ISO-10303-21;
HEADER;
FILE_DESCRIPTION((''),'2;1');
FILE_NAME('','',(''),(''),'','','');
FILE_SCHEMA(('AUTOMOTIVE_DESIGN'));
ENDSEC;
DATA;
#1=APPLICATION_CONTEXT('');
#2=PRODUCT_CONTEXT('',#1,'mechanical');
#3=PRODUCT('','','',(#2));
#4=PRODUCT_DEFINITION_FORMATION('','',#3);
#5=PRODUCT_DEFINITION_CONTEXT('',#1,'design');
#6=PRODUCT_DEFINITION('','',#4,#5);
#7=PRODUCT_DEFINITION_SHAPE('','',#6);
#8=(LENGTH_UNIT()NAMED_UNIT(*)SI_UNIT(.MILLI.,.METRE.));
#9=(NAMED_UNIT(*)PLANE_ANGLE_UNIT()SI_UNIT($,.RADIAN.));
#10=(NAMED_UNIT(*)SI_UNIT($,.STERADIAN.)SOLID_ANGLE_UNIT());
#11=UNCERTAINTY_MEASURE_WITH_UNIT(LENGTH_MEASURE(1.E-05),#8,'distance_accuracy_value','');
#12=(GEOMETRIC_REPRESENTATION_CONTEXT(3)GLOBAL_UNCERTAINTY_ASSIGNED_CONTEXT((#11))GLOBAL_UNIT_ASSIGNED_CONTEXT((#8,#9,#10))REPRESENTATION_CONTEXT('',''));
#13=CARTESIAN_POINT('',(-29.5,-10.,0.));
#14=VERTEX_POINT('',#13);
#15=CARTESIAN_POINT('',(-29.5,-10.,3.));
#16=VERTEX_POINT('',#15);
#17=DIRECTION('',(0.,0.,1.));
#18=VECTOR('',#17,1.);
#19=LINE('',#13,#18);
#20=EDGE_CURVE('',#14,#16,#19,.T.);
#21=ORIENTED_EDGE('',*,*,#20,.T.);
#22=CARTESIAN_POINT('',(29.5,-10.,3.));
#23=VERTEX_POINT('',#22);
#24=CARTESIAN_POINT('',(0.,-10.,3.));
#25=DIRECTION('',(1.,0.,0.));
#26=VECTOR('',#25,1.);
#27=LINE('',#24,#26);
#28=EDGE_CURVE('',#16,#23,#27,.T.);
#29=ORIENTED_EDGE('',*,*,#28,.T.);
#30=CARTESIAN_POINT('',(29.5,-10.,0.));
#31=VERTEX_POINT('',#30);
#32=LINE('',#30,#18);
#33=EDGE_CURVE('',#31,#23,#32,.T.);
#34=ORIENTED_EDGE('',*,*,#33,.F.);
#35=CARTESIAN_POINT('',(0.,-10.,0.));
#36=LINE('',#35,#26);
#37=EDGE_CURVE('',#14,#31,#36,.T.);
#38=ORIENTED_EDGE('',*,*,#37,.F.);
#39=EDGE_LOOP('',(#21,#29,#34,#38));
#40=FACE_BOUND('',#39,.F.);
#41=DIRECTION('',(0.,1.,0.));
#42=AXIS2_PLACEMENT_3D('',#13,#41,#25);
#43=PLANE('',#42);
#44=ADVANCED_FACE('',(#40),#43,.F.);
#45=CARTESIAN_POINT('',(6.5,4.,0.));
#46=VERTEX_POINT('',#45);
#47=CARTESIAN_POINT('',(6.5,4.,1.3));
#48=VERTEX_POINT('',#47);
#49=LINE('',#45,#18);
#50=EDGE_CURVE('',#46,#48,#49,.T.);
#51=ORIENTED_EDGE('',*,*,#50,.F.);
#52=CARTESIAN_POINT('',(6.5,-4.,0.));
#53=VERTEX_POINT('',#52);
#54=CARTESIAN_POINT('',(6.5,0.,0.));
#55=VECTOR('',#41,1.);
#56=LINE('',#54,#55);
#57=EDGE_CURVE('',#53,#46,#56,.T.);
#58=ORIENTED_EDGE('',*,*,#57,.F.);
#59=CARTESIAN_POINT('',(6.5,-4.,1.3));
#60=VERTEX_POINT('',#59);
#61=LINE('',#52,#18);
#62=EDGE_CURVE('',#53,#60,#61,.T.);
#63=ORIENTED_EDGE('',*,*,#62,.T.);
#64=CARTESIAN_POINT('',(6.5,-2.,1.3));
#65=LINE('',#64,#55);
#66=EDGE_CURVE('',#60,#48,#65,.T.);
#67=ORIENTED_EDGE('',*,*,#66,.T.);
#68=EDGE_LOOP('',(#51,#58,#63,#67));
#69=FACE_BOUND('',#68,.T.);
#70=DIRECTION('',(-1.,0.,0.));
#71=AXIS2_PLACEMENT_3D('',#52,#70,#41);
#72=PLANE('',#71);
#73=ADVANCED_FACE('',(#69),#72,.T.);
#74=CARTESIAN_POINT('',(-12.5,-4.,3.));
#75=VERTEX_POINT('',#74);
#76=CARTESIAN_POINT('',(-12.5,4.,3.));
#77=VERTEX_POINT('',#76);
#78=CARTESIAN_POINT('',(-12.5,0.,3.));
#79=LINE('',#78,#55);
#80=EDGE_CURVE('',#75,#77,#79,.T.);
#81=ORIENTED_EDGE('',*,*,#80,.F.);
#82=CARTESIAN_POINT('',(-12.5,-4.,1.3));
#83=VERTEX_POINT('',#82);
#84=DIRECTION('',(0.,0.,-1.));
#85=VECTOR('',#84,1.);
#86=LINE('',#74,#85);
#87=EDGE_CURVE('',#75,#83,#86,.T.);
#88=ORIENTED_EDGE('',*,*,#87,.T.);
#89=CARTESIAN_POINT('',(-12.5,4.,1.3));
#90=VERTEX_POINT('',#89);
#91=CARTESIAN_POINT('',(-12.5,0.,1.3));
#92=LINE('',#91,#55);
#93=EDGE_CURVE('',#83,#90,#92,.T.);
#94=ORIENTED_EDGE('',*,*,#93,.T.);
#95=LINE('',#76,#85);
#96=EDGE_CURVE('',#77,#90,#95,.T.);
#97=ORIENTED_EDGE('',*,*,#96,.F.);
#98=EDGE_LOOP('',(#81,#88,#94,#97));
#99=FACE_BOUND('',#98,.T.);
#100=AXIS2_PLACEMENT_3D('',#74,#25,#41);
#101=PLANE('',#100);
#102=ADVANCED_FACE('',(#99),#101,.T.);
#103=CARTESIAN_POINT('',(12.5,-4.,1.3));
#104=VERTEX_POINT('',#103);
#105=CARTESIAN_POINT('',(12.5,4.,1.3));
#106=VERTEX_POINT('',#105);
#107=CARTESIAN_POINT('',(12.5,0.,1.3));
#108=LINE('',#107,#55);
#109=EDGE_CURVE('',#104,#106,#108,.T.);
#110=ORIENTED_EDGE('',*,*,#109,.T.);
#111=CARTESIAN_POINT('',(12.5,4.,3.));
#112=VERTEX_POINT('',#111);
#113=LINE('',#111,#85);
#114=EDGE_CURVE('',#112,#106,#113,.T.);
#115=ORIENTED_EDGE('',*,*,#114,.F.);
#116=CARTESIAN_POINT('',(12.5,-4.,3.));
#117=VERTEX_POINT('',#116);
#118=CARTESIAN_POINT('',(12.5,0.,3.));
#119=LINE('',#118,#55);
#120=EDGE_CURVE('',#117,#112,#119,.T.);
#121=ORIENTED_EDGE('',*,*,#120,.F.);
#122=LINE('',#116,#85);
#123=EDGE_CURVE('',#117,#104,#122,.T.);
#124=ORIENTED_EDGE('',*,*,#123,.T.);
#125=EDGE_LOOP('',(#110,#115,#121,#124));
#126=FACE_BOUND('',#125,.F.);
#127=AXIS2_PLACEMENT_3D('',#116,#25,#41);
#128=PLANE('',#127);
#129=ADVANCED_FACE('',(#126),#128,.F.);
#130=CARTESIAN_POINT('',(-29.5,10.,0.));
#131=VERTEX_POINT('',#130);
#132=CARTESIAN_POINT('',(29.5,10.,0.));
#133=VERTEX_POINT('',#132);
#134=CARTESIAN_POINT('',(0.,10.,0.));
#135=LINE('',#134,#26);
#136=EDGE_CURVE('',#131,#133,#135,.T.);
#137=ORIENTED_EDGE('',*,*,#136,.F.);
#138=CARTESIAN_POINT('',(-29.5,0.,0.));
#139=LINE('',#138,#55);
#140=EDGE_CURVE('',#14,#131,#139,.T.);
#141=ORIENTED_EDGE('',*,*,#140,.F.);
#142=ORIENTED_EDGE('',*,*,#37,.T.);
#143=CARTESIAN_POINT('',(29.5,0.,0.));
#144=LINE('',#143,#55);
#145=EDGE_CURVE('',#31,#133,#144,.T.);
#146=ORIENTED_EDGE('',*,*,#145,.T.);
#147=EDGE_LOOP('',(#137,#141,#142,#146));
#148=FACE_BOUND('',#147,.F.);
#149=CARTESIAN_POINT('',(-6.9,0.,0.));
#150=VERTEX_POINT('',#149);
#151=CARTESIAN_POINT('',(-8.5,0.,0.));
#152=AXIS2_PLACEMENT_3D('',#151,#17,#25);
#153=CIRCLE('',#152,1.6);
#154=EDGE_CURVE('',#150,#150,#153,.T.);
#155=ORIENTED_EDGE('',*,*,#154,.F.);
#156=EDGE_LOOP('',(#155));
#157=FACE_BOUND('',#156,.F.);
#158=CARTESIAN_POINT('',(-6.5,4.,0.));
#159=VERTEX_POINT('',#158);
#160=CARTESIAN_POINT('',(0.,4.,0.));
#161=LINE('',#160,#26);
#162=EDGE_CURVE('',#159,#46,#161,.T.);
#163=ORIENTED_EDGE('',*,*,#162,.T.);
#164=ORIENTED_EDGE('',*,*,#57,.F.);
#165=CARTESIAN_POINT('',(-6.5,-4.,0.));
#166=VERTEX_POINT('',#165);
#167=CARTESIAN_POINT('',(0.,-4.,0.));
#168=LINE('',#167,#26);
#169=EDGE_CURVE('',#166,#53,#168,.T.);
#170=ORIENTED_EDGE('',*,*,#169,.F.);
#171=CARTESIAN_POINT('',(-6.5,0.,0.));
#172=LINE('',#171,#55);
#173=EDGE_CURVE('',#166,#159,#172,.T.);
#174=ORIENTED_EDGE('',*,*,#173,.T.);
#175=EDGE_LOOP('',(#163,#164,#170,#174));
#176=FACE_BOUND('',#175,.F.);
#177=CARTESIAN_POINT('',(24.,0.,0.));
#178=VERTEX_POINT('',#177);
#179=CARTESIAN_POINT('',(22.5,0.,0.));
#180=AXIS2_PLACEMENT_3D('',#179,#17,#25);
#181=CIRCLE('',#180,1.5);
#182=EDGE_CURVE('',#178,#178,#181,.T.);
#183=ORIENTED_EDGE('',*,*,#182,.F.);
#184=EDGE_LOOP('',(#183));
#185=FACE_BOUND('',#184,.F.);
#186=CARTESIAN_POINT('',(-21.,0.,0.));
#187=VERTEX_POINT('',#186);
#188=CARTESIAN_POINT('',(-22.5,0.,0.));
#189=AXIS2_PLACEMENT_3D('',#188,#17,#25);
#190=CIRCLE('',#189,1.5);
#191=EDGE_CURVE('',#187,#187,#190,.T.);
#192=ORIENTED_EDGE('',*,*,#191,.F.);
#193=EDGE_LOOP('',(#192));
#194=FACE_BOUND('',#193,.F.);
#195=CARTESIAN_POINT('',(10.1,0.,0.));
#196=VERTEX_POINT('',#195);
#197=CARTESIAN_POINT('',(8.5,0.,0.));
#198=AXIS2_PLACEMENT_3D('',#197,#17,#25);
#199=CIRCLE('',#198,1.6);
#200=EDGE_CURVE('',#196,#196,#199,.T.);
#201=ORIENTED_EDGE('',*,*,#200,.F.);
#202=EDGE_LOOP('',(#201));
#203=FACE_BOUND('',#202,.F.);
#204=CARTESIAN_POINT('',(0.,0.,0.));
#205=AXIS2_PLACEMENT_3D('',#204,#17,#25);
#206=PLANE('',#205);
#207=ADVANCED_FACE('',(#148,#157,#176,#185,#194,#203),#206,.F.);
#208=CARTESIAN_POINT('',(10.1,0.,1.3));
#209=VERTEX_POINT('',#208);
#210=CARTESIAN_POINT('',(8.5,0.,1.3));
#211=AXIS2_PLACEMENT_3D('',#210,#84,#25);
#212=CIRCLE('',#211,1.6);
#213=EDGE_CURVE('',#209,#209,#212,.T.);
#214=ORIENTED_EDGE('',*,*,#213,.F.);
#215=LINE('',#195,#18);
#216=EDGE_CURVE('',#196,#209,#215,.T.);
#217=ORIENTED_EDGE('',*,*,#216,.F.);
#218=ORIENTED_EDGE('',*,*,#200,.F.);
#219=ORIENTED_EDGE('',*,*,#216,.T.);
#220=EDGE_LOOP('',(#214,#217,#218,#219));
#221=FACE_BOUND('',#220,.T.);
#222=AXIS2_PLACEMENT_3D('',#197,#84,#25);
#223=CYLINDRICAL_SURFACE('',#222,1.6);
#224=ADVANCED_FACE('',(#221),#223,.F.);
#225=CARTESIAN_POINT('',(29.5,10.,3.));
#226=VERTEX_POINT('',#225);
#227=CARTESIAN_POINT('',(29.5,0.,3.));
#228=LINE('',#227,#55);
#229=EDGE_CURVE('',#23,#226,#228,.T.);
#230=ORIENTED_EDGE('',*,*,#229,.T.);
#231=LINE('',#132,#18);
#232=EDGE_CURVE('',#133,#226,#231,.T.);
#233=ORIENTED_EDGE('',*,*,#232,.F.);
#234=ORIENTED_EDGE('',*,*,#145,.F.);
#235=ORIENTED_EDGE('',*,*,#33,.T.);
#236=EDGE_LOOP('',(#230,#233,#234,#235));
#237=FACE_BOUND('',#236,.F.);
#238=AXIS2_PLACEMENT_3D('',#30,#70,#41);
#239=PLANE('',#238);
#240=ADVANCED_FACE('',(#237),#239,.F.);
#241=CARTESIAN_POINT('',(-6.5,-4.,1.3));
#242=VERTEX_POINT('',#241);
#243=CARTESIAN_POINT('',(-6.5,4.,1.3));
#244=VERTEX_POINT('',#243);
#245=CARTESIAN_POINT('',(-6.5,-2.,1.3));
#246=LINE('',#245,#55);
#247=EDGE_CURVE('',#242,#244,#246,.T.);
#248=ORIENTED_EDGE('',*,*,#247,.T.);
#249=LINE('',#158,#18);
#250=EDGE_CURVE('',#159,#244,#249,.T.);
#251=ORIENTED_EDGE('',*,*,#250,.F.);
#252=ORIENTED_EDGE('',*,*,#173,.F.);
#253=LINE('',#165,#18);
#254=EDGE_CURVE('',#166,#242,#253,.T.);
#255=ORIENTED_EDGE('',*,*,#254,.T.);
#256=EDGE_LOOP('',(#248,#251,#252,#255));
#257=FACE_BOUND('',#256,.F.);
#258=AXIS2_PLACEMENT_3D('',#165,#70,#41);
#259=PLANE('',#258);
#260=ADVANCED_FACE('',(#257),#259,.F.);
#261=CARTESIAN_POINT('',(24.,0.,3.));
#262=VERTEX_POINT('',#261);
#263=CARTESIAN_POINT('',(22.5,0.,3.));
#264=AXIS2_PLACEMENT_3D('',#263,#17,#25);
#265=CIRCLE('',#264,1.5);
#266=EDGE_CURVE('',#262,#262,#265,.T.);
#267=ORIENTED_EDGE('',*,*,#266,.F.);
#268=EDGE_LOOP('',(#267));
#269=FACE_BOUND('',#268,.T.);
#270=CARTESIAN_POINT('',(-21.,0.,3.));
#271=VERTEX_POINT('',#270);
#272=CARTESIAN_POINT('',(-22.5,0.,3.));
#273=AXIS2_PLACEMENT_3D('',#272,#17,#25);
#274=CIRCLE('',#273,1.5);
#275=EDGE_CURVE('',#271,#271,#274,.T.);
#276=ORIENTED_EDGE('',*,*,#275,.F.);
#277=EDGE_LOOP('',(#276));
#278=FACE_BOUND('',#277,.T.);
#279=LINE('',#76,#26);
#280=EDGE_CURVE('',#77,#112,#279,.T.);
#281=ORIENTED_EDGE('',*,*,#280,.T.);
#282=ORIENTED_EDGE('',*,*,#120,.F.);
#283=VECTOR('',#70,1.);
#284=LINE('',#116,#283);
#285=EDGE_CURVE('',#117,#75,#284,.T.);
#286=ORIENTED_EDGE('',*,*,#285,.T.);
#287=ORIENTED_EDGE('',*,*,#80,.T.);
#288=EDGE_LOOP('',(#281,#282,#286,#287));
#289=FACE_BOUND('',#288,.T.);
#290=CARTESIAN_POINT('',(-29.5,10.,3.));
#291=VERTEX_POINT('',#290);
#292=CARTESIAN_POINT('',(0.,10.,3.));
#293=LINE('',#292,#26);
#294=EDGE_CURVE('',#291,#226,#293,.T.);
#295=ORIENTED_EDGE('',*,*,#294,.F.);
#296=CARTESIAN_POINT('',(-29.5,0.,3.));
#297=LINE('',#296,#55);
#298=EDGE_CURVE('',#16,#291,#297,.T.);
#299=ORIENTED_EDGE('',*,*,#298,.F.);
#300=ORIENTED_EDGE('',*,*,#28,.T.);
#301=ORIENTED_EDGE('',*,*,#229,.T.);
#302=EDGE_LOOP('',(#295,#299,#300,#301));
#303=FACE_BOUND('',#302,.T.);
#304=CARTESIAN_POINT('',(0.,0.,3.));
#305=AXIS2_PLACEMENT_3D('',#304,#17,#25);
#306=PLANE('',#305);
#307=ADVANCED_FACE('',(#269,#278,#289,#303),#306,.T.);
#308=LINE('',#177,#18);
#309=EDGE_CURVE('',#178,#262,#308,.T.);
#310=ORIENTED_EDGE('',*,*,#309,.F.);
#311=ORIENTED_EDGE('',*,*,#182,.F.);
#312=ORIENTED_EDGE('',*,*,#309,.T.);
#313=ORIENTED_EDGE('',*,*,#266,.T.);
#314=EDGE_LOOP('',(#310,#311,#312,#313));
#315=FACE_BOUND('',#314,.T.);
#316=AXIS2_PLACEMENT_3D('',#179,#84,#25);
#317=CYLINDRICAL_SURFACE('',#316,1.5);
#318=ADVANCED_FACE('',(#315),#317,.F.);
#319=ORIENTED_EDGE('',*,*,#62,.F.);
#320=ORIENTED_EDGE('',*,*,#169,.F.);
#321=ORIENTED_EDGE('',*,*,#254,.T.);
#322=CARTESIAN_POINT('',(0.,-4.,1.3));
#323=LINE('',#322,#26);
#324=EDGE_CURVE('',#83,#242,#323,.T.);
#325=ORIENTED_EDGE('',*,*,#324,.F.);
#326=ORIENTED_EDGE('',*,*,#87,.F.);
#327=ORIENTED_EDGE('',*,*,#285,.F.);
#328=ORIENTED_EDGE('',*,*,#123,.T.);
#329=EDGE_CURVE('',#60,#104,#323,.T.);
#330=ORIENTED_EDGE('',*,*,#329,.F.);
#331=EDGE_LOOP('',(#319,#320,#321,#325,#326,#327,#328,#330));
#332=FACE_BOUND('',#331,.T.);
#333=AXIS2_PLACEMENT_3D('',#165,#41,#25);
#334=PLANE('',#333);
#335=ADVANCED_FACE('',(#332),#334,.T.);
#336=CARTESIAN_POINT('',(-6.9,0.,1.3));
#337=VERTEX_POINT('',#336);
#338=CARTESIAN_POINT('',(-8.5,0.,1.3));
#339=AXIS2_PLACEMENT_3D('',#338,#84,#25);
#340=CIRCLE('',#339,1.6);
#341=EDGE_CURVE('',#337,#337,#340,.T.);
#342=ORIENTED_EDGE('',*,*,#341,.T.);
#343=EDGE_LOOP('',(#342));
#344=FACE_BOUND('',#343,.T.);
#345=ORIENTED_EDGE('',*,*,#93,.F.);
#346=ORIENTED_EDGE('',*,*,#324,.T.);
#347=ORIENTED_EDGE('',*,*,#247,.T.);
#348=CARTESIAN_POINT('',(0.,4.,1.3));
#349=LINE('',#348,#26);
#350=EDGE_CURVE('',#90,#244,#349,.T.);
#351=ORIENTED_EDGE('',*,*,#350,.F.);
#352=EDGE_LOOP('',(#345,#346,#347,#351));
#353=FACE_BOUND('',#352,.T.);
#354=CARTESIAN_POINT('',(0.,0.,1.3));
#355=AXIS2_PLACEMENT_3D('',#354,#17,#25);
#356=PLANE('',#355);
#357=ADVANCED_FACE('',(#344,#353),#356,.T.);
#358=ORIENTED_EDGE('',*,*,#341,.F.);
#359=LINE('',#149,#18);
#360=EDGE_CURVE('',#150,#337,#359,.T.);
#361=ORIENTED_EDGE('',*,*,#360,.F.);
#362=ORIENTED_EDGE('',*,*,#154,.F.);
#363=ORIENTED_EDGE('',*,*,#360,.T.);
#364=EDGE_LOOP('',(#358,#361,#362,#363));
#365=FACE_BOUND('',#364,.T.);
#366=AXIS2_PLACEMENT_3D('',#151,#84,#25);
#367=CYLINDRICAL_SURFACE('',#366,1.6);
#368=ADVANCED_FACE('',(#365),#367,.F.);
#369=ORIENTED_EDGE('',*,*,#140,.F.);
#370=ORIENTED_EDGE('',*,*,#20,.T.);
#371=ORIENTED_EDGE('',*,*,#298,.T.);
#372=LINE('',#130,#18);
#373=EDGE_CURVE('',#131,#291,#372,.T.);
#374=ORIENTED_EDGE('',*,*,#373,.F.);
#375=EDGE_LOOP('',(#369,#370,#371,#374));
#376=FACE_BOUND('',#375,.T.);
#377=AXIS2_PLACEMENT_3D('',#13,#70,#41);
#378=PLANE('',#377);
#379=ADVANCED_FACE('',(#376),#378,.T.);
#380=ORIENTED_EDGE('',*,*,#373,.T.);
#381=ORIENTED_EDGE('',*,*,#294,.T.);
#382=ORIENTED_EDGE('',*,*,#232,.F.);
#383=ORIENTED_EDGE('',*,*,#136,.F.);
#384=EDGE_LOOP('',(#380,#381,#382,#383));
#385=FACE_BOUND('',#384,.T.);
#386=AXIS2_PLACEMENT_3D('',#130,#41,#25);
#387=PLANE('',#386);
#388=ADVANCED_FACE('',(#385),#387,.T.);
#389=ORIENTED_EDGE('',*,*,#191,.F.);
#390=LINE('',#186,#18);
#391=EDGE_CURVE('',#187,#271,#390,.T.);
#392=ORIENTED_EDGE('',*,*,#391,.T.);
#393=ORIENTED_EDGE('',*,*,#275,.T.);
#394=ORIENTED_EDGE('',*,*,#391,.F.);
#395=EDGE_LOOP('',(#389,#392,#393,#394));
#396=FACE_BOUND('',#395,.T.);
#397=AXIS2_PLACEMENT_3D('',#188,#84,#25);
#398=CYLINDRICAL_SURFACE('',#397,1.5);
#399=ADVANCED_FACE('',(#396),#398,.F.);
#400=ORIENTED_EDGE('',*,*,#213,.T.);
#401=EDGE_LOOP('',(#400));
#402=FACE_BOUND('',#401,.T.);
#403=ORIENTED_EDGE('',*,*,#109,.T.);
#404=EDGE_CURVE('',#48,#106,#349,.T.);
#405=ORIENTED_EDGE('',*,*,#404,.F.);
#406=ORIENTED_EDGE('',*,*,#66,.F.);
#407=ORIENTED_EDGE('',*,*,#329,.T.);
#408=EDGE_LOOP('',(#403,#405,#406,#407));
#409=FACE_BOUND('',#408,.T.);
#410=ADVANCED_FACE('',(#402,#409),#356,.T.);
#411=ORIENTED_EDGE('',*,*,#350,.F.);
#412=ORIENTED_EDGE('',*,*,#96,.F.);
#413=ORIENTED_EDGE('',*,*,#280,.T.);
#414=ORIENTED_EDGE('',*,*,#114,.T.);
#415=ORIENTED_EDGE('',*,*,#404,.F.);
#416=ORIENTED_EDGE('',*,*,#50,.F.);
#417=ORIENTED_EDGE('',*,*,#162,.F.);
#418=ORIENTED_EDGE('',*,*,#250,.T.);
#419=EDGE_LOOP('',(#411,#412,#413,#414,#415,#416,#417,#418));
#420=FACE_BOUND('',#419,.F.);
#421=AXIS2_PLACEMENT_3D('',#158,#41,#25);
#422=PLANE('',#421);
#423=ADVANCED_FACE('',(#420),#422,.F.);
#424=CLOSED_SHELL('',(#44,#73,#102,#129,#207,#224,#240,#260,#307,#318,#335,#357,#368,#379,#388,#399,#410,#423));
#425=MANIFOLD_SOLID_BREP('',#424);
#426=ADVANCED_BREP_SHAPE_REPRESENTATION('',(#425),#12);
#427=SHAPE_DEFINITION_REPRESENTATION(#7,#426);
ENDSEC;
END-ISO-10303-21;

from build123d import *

# Parameters (mm, degrees)
SKETCH_W     = 59
SKETCH_H     = 20
SKETCH_R     = 1.5
SKETCH_R_2   = 1.6
SKETCH_W_2   = 13
SKETCH_H_2   = 8
PAD_DEPTH    = 3
SKETCH002_W  = 25
SKETCH002_H  = 8
POCKET_DEPTH = 1.7


with BuildPart() as part:
    # Sketch → Pad (new body)
    with BuildSketch(Plane.XY):
        Rectangle(SKETCH_W, SKETCH_H)
        with Locations((-22.5, 0)):
            Circle(SKETCH_R, mode=Mode.SUBTRACT)
        with Locations((-8.5, 0)):
            Circle(SKETCH_R_2, mode=Mode.SUBTRACT)
        with Locations((8.5, 0)):
            Circle(SKETCH_R_2, mode=Mode.SUBTRACT)
        with Locations((22.5, 0)):
            Circle(SKETCH_R, mode=Mode.SUBTRACT)
        Rectangle(SKETCH_W_2, SKETCH_H_2, mode=Mode.SUBTRACT)
    extrude(amount=PAD_DEPTH)

    # Sketch002 (on Face14 of Pad) → Pocket (cut)
    with BuildSketch(Plane.XY.offset(3)):
        Rectangle(SKETCH002_W, SKETCH002_H)
    extrude(amount=-POCKET_DEPTH, mode=Mode.SUBTRACT)


solid = part.part
